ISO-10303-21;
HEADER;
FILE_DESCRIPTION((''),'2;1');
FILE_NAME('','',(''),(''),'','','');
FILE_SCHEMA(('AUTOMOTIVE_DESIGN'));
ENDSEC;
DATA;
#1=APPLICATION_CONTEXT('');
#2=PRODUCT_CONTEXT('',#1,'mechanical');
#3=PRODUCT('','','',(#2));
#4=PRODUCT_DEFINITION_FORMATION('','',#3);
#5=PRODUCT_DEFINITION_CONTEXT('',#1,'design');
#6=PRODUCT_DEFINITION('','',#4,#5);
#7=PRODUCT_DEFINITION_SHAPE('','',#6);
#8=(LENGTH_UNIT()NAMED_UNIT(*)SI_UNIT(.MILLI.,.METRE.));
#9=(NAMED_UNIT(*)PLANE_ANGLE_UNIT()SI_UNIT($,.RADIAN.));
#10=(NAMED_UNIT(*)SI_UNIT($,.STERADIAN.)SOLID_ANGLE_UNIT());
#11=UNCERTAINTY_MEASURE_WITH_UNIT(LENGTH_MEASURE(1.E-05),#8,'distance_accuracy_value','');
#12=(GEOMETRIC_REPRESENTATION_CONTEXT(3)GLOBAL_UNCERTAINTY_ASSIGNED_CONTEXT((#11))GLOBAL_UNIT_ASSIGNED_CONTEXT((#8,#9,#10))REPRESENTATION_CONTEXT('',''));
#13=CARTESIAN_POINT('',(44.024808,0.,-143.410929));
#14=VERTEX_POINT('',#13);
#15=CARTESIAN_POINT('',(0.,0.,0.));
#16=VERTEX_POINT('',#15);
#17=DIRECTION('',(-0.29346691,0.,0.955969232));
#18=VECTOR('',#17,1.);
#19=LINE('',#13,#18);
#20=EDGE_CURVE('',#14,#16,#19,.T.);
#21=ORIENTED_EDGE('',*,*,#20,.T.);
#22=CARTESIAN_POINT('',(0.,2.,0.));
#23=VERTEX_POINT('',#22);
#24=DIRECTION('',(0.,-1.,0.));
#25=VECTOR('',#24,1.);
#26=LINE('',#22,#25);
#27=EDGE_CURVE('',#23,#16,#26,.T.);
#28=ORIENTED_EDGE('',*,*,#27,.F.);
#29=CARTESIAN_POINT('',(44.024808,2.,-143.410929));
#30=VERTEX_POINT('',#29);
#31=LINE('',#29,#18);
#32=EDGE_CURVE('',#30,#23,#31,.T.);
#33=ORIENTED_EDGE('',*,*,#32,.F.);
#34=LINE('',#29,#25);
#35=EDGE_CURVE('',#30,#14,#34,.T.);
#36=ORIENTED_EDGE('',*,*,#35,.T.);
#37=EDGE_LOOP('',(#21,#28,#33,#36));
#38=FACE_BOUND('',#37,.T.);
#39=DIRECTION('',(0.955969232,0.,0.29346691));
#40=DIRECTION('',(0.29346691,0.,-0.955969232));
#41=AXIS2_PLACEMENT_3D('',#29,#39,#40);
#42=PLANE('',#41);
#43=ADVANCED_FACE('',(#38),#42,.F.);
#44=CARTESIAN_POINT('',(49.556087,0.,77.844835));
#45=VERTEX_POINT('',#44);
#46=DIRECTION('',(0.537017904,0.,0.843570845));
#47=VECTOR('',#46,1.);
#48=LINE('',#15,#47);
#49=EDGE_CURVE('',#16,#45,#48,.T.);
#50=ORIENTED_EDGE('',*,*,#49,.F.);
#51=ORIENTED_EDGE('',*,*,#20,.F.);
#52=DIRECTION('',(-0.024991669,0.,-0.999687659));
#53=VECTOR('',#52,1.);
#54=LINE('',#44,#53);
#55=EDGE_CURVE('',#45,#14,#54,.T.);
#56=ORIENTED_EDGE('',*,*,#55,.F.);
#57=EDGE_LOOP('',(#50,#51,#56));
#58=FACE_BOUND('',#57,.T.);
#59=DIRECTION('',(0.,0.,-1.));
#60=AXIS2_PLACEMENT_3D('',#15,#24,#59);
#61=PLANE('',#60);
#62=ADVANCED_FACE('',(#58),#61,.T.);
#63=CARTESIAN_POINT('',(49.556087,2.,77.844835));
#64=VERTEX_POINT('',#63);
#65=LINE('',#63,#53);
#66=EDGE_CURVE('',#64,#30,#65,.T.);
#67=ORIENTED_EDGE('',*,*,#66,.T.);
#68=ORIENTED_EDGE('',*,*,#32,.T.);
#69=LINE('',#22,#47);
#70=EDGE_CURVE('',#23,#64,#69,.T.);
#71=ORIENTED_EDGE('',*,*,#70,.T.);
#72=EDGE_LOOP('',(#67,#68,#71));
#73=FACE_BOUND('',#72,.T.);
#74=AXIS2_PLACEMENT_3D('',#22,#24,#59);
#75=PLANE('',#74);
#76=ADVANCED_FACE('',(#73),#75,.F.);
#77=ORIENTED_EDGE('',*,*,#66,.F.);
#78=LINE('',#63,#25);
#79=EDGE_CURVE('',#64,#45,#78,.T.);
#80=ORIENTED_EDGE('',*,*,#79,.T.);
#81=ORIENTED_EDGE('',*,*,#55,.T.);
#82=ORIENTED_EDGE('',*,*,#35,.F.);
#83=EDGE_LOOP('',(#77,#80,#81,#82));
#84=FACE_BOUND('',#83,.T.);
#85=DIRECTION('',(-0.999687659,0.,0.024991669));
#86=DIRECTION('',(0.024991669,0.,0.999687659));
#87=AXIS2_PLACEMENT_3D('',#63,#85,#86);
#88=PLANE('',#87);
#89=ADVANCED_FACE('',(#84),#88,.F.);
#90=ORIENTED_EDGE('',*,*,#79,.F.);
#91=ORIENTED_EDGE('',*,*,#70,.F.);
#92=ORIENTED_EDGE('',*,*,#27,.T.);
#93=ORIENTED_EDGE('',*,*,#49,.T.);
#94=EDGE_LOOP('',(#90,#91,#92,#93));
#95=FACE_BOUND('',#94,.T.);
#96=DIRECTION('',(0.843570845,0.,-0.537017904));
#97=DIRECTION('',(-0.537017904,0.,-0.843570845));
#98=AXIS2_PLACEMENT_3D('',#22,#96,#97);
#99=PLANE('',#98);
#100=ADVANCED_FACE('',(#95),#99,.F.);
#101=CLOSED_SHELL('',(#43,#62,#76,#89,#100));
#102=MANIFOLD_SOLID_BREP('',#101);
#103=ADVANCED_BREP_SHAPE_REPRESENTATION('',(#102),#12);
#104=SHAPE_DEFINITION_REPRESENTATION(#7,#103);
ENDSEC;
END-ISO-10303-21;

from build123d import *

# Parameters (mm, degrees)
BOSS_EXTRU_1_DEPTH = 2


with BuildPart() as part:
    # Esquisse1 → Boss.-Extru.1 (new body)
    with BuildSketch(Plane(origin=(0, 0, 0), x_dir=(1, 0, 0), z_dir=(0, 1, 0))):
        Polygon((44.024808264, 143.410928915), (0, 0), (49.556086683, -77.844834603), align=None)
    extrude(amount=BOSS_EXTRU_1_DEPTH)


solid = part.part
